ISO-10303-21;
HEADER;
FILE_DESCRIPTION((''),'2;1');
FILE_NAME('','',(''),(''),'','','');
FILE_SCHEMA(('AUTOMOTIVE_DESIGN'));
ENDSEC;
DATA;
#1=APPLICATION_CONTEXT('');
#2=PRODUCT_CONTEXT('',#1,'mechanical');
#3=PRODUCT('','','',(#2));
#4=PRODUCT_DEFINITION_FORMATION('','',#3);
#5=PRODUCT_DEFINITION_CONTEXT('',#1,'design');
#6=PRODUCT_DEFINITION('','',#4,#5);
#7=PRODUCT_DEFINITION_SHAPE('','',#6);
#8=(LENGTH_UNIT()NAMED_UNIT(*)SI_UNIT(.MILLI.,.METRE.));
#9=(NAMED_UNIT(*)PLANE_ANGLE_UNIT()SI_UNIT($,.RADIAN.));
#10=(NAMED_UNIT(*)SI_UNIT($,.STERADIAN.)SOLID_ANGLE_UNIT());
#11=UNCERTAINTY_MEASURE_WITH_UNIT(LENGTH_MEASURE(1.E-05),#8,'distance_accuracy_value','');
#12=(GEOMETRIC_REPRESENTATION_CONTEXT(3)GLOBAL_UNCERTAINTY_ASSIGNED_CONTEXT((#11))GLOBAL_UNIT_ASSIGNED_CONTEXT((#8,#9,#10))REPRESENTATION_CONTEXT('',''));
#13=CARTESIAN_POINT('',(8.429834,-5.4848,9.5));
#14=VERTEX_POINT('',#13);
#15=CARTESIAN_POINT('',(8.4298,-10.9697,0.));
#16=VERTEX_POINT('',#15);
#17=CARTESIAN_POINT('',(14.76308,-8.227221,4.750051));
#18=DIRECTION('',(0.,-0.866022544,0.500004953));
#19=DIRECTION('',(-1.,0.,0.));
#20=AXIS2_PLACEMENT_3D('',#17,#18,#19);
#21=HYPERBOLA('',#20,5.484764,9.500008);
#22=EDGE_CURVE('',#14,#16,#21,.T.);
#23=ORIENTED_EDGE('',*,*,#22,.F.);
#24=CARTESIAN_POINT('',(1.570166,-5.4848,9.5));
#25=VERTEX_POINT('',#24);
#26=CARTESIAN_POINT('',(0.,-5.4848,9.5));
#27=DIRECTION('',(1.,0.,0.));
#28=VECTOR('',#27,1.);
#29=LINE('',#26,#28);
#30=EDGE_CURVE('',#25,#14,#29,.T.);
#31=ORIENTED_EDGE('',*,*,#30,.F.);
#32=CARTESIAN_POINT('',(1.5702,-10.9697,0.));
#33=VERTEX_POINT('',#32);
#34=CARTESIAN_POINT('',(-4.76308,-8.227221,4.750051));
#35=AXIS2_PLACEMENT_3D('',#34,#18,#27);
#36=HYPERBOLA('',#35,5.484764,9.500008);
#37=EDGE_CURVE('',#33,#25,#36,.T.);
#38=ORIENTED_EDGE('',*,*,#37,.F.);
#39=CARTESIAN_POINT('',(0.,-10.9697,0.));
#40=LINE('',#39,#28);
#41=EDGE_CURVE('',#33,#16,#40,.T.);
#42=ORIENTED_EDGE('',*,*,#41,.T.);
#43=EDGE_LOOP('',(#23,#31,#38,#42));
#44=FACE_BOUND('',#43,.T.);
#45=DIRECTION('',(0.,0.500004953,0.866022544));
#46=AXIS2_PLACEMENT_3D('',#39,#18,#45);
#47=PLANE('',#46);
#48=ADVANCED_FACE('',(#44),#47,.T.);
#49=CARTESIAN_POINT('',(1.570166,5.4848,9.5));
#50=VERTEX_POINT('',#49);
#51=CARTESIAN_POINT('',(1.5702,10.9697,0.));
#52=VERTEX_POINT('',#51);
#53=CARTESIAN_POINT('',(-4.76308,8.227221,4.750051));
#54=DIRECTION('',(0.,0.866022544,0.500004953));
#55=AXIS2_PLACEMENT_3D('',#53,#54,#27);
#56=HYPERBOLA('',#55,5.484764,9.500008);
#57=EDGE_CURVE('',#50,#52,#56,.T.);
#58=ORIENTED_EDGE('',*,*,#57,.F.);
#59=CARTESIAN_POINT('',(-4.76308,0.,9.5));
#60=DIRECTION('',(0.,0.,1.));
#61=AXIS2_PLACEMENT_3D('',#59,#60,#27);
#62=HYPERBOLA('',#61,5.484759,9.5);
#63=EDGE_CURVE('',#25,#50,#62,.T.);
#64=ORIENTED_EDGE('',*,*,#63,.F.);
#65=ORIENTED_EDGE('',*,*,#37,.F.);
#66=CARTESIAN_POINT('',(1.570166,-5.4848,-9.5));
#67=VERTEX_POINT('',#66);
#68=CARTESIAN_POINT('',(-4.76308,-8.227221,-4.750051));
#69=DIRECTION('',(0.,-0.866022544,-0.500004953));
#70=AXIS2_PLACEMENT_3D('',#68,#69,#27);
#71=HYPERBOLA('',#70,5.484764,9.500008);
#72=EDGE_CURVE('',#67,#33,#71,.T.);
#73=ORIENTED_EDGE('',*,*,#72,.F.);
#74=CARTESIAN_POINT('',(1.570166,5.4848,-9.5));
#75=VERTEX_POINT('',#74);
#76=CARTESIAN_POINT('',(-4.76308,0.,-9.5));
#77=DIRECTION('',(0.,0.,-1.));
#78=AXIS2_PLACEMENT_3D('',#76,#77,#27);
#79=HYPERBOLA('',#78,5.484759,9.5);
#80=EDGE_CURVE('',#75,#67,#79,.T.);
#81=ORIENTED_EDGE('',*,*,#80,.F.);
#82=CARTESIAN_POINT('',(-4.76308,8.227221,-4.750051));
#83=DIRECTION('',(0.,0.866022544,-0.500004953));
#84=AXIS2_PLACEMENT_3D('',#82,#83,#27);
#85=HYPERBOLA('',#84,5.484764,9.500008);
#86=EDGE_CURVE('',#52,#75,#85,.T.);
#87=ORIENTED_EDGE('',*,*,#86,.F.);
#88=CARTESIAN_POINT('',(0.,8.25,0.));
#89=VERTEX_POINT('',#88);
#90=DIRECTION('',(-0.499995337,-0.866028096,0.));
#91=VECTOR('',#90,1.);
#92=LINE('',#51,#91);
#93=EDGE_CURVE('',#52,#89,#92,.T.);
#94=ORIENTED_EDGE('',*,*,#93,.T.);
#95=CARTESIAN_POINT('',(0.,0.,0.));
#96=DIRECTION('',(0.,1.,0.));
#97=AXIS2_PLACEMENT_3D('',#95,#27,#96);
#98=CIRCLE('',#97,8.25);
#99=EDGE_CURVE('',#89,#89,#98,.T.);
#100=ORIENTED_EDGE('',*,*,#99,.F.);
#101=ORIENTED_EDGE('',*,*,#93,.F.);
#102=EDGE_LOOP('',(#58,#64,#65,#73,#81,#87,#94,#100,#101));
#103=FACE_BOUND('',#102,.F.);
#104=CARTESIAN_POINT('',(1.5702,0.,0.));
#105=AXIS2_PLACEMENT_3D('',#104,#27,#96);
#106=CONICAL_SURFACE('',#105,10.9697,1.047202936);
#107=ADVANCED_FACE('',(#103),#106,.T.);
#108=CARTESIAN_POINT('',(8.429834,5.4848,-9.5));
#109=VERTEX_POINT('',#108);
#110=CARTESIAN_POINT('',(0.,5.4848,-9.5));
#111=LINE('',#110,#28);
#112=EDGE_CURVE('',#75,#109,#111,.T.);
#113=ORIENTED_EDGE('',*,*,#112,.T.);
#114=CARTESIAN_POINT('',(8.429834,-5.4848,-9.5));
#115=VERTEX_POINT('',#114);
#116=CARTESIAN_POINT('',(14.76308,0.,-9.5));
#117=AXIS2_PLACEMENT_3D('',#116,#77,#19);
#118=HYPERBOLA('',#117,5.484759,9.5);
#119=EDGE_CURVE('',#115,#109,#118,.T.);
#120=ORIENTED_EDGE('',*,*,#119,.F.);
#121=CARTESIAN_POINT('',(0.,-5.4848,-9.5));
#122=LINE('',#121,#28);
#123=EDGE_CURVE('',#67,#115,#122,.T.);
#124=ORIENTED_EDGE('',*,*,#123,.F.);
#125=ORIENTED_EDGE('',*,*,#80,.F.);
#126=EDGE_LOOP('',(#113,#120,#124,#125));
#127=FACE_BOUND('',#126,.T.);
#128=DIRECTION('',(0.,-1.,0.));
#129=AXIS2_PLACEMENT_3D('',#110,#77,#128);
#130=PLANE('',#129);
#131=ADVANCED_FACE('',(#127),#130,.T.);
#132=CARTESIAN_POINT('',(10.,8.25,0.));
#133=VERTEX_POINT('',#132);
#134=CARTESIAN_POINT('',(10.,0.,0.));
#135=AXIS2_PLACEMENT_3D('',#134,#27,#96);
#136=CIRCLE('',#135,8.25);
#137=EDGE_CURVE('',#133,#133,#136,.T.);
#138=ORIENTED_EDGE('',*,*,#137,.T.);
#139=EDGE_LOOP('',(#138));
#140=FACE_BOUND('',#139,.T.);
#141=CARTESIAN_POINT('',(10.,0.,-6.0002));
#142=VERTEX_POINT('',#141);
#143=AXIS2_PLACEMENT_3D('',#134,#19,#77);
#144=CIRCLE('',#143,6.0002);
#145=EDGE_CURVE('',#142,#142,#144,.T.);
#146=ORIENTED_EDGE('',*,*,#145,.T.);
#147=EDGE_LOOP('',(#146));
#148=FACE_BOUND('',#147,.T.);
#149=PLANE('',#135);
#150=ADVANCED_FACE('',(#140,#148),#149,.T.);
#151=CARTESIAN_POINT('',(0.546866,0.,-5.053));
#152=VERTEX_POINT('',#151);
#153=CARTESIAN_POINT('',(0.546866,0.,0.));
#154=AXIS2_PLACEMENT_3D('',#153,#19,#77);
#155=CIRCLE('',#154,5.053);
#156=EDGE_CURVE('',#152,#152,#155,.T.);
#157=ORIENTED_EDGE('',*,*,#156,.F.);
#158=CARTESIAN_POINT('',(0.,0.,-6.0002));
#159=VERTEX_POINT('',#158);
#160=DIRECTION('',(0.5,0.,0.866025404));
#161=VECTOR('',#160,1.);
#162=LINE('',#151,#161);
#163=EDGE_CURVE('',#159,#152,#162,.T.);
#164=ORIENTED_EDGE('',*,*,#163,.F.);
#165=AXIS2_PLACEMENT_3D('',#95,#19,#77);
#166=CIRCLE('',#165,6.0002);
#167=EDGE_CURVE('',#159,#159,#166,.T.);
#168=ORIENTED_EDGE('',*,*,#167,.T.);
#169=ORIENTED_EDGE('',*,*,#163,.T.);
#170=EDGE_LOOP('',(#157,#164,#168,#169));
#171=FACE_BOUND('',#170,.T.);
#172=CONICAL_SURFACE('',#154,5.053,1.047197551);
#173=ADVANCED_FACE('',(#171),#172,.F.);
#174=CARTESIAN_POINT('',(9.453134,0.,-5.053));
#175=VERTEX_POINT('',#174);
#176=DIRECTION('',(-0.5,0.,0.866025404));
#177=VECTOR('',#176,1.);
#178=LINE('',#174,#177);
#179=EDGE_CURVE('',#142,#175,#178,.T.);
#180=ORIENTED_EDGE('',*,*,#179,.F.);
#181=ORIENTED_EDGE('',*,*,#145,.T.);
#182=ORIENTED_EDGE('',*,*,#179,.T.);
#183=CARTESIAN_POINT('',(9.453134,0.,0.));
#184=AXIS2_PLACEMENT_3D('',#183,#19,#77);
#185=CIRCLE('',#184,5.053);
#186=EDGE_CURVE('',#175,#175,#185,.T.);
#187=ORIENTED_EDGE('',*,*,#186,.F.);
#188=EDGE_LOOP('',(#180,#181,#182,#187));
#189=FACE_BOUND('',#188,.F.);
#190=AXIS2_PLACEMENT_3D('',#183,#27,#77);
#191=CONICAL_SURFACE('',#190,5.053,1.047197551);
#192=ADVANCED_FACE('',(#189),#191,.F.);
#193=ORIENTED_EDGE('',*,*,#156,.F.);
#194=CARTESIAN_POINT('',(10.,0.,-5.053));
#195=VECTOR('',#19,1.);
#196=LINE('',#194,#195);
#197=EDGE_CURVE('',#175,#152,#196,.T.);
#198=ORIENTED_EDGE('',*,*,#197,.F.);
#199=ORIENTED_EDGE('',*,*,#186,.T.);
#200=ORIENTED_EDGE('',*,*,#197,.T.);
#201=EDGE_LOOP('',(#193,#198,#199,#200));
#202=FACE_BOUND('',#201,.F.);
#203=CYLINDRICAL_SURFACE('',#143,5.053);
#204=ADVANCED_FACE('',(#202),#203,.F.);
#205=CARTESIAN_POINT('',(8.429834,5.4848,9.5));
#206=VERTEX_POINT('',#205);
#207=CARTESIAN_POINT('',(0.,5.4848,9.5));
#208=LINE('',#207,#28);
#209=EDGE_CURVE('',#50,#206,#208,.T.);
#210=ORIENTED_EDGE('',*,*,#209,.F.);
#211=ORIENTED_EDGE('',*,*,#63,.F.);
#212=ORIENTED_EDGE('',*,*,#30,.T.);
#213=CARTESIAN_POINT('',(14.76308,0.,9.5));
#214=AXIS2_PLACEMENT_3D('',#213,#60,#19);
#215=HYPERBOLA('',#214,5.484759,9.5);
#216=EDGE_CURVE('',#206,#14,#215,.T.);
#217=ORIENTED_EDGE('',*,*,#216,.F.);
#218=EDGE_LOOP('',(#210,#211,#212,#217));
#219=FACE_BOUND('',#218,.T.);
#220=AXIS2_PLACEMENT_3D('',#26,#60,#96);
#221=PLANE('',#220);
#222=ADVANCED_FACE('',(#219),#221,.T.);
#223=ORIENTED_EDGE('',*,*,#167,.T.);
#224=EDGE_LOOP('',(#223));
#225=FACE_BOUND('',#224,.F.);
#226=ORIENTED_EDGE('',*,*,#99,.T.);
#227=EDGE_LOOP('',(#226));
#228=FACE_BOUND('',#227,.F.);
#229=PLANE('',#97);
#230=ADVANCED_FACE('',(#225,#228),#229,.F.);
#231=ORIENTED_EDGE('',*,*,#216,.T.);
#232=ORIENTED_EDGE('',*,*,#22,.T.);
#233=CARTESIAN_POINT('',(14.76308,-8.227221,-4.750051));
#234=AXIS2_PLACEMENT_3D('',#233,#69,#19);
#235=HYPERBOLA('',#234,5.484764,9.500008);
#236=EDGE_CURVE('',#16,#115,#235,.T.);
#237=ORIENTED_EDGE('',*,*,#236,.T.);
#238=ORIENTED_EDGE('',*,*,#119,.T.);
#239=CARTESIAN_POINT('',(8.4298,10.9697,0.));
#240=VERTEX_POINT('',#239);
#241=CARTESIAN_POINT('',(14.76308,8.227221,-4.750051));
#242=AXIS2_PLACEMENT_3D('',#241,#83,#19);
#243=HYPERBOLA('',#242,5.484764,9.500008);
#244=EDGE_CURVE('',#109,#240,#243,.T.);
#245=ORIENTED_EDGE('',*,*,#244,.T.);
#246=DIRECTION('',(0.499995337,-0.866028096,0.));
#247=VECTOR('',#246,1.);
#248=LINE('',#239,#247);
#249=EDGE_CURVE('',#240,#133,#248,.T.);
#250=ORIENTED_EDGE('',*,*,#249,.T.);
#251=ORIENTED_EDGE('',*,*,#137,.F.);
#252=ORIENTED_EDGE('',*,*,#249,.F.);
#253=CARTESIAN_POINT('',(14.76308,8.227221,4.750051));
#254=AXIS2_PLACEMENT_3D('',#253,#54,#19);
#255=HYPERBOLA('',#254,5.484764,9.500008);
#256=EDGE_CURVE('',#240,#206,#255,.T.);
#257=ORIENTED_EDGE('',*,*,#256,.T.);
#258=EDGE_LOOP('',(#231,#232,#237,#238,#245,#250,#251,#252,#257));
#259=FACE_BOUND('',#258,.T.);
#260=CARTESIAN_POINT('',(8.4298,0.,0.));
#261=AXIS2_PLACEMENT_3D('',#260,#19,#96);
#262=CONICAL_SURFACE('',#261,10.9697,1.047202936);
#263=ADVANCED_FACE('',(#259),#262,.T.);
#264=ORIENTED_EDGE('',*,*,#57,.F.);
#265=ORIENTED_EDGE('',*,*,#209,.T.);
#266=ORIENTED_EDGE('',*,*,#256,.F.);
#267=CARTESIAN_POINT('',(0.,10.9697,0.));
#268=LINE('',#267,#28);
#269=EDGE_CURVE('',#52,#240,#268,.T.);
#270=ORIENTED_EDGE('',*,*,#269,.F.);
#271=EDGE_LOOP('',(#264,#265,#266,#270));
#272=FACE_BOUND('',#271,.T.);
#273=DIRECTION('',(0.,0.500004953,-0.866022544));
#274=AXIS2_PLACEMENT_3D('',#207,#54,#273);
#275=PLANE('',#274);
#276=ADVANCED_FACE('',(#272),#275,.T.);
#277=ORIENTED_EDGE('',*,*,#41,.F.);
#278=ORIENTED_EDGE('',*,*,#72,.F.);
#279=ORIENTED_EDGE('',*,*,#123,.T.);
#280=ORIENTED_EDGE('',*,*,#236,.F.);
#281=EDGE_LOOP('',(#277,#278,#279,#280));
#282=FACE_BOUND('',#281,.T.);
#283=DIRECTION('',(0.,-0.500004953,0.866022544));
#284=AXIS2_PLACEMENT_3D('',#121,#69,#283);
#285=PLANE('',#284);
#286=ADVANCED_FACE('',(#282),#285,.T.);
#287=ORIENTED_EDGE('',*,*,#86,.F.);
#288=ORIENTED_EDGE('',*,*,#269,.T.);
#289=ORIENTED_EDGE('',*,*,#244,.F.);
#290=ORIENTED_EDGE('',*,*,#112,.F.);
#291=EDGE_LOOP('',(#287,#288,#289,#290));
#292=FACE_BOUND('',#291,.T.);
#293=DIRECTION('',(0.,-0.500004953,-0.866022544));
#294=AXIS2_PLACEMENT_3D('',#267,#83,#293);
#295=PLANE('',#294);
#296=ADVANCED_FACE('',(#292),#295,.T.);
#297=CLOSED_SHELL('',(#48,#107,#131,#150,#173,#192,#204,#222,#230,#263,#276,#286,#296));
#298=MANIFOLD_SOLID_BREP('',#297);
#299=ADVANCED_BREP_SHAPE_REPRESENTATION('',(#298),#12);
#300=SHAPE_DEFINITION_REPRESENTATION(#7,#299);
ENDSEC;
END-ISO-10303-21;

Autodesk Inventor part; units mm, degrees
ref_plane "YZ Plane" through (0, 0, 0) normal (1, 0, 0) x (0, 1, 0)
ref_plane "XZ Plane" through (0, 0, 0) normal (0, 1, 0) x (-1, 0, 0)
sketch "Sketch1" plane through (0, 0, 0) normal (1, 0, 0) x (0, 1, 0)
  line L0 (-10.9697, 0) -> (-5.4848, 9.5)
  line L1 (-5.4848, 9.5) -> (5.4848, 9.5)
  line L2 (5.4848, 9.5) -> (10.9697, 0)
  line L3 (10.9697, 0) -> (5.4848, -9.5)
  line L4 (5.4848, -9.5) -> (-5.4848, -9.5)
  line L5 (-5.4848, -9.5) -> (-10.9697, 0)
  point P0 (0, 0)
  point P1 (0, 0)
  dimension "d0" = 21.9393
extrude "Body" add sketch "Sketch1" along normal blind 10
sketch "Sketch2" plane through (0, 0, 0) normal (0, 0, 1) x (1, 0, 0)
  line L0 (0, 5.4848) -> (0, 10.9697) projected
  line L1 (0, 10.9697) -> (10, 10.9697) projected
  line L2 (10, 5.4848) -> (10, 10.9697) projected
  line L3 (-2, 0) -> (12, 0) projected
  line L4 (1.5702, 10.9697) -> (0, 8.25)
  line L5 (8.4298, 10.9697) -> (10, 8.25)
  dimension "d3" = 30
  dimension "d4" = 30
  dimension "d5" = 16.5
  dimension "d6" = 16.5
revolve "Chamfer1" cut sketch "Sketch2" angle 360 about axis through (-10, 0, 0) along (1, 0, 0)
sketch "Sketch3" plane through (10, 0, 0) normal (1, 0, 0) x (0, 0, -1)
  arc A0 (-0.625, -1.0825) -> (0.625, -1.0825) centre (0, 0) ccw projected
hole "Thread" at (10, 0, 0) direction (-1, 0, 0) diameter 10.106 end through all thread size "M12x1.75" class "6H" standard "ISO Metric profile"
chamfer "Chamfer2" distance 0.9472 angle 30 1 edges at (10, 0, 5.053) measured on face at (10, 7.0921, -0.8611)
chamfer "Chamfer3" distance 0.9472 angle 30 1 edges at (0, 0, 5.053) measured on face at (0, 7.0921, -0.8611)
ref_plane "Work Plane1" through (-20.706, 0, 0) normal (0, -0.866, -0.5) x (1, 0, 0)
equation "\"d0\" = 1.1547 * SW"
equation "\"d1\" = KOH"
equation "\"d3\" = ANG1"
equation "\"d4\" = ANG2"
equation "\"d5\" = SW0"
equation "\"d6\" = SW01"
equation "\"d8\" = -0.5 * GD1 + 0.5 * NND"
equation "\"d40\" = -0.5 * GD1 + 0.5 * NND"
equation "\"d10\" = -0.5 * GD1 + 0.5 * NND"
equation "\"d41\" = -0.5 * GD1 + 0.5 * NND"
equation "\"ANG1\" = 30deg"
equation "\"ANG2\" = 30deg"
equation "\"NND\" = 12"
equation "\"KOH\" = 10"
equation "\"SW\" = 19"
equation "\"SW0\" = 16.5"
equation "\"SW01\" = 16.5"
equation "\"GUL\" = 0.541266 * PTC"
equation "\"THREADDIA\" = 12"
equation "\"TOA\" = 30deg"
equation "\"PTC\" = 1.75"
equation "\"E0\" = 1.155 * SW"
equation "\"GAL\" = 0.541266 * PTC"
equation "\"GD1\" = 10.105569"
properties part number "DIN 555-5 - M12" material "Steel, Mild"
